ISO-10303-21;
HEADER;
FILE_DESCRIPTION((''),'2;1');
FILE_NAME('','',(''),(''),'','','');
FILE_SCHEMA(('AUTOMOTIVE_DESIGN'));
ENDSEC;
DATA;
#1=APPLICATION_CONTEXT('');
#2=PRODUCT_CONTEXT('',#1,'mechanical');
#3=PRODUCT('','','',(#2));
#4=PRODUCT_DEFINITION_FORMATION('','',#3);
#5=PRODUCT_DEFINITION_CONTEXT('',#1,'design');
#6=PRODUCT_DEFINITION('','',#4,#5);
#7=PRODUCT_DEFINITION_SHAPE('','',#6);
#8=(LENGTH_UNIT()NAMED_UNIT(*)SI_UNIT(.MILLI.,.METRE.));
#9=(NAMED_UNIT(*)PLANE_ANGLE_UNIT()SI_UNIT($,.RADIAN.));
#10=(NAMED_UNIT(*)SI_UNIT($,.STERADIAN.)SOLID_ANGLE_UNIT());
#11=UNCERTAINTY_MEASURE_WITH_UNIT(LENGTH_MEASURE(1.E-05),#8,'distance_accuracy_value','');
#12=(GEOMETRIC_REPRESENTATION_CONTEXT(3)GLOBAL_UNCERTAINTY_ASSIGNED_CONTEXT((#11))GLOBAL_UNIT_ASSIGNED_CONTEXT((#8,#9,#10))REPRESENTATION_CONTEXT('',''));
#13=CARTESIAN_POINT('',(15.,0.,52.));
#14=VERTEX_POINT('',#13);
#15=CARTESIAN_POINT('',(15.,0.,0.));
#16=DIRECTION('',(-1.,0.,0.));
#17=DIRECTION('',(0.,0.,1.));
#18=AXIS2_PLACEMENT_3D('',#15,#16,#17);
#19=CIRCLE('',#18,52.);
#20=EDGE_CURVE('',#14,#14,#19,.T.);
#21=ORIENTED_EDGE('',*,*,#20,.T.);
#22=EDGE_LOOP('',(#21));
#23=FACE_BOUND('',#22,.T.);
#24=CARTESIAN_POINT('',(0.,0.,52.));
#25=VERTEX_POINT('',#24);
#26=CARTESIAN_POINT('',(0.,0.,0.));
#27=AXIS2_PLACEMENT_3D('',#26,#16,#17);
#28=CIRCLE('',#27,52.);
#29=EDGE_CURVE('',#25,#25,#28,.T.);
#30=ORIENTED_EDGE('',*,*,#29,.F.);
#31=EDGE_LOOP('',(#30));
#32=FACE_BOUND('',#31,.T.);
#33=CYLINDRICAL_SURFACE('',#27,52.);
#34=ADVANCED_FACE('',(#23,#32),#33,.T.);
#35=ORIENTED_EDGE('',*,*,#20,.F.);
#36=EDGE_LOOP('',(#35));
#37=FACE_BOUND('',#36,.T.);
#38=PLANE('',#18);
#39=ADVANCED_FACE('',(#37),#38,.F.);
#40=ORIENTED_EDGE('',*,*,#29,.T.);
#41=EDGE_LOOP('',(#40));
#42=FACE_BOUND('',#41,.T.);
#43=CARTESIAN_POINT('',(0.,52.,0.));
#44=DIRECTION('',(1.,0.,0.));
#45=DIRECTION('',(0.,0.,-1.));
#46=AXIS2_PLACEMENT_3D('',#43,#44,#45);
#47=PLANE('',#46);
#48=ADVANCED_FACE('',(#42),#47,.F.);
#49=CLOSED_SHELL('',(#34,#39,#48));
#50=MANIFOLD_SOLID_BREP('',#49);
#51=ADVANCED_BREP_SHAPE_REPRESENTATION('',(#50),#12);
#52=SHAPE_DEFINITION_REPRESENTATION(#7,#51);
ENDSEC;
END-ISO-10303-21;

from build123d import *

# Parameters (mm, degrees)
SKETCH_1_W = 15
SKETCH_1_H = 52


with BuildPart() as part:
    # ｽｹｯﾁ1 → Revolve 309 (revolve)
    with BuildSketch(Plane.XY, mode=Mode.PRIVATE) as revolve_309_sk:
        with Locations((7.5, 26)):
            Rectangle(SKETCH_1_W, SKETCH_1_H)
    revolve(revolve_309_sk.sketch.rotate(Axis((0, 0, 0), (1, 0, 0)), 90), axis=Axis((0, 0, 0), (1, 0, 0)))


solid = part.part
